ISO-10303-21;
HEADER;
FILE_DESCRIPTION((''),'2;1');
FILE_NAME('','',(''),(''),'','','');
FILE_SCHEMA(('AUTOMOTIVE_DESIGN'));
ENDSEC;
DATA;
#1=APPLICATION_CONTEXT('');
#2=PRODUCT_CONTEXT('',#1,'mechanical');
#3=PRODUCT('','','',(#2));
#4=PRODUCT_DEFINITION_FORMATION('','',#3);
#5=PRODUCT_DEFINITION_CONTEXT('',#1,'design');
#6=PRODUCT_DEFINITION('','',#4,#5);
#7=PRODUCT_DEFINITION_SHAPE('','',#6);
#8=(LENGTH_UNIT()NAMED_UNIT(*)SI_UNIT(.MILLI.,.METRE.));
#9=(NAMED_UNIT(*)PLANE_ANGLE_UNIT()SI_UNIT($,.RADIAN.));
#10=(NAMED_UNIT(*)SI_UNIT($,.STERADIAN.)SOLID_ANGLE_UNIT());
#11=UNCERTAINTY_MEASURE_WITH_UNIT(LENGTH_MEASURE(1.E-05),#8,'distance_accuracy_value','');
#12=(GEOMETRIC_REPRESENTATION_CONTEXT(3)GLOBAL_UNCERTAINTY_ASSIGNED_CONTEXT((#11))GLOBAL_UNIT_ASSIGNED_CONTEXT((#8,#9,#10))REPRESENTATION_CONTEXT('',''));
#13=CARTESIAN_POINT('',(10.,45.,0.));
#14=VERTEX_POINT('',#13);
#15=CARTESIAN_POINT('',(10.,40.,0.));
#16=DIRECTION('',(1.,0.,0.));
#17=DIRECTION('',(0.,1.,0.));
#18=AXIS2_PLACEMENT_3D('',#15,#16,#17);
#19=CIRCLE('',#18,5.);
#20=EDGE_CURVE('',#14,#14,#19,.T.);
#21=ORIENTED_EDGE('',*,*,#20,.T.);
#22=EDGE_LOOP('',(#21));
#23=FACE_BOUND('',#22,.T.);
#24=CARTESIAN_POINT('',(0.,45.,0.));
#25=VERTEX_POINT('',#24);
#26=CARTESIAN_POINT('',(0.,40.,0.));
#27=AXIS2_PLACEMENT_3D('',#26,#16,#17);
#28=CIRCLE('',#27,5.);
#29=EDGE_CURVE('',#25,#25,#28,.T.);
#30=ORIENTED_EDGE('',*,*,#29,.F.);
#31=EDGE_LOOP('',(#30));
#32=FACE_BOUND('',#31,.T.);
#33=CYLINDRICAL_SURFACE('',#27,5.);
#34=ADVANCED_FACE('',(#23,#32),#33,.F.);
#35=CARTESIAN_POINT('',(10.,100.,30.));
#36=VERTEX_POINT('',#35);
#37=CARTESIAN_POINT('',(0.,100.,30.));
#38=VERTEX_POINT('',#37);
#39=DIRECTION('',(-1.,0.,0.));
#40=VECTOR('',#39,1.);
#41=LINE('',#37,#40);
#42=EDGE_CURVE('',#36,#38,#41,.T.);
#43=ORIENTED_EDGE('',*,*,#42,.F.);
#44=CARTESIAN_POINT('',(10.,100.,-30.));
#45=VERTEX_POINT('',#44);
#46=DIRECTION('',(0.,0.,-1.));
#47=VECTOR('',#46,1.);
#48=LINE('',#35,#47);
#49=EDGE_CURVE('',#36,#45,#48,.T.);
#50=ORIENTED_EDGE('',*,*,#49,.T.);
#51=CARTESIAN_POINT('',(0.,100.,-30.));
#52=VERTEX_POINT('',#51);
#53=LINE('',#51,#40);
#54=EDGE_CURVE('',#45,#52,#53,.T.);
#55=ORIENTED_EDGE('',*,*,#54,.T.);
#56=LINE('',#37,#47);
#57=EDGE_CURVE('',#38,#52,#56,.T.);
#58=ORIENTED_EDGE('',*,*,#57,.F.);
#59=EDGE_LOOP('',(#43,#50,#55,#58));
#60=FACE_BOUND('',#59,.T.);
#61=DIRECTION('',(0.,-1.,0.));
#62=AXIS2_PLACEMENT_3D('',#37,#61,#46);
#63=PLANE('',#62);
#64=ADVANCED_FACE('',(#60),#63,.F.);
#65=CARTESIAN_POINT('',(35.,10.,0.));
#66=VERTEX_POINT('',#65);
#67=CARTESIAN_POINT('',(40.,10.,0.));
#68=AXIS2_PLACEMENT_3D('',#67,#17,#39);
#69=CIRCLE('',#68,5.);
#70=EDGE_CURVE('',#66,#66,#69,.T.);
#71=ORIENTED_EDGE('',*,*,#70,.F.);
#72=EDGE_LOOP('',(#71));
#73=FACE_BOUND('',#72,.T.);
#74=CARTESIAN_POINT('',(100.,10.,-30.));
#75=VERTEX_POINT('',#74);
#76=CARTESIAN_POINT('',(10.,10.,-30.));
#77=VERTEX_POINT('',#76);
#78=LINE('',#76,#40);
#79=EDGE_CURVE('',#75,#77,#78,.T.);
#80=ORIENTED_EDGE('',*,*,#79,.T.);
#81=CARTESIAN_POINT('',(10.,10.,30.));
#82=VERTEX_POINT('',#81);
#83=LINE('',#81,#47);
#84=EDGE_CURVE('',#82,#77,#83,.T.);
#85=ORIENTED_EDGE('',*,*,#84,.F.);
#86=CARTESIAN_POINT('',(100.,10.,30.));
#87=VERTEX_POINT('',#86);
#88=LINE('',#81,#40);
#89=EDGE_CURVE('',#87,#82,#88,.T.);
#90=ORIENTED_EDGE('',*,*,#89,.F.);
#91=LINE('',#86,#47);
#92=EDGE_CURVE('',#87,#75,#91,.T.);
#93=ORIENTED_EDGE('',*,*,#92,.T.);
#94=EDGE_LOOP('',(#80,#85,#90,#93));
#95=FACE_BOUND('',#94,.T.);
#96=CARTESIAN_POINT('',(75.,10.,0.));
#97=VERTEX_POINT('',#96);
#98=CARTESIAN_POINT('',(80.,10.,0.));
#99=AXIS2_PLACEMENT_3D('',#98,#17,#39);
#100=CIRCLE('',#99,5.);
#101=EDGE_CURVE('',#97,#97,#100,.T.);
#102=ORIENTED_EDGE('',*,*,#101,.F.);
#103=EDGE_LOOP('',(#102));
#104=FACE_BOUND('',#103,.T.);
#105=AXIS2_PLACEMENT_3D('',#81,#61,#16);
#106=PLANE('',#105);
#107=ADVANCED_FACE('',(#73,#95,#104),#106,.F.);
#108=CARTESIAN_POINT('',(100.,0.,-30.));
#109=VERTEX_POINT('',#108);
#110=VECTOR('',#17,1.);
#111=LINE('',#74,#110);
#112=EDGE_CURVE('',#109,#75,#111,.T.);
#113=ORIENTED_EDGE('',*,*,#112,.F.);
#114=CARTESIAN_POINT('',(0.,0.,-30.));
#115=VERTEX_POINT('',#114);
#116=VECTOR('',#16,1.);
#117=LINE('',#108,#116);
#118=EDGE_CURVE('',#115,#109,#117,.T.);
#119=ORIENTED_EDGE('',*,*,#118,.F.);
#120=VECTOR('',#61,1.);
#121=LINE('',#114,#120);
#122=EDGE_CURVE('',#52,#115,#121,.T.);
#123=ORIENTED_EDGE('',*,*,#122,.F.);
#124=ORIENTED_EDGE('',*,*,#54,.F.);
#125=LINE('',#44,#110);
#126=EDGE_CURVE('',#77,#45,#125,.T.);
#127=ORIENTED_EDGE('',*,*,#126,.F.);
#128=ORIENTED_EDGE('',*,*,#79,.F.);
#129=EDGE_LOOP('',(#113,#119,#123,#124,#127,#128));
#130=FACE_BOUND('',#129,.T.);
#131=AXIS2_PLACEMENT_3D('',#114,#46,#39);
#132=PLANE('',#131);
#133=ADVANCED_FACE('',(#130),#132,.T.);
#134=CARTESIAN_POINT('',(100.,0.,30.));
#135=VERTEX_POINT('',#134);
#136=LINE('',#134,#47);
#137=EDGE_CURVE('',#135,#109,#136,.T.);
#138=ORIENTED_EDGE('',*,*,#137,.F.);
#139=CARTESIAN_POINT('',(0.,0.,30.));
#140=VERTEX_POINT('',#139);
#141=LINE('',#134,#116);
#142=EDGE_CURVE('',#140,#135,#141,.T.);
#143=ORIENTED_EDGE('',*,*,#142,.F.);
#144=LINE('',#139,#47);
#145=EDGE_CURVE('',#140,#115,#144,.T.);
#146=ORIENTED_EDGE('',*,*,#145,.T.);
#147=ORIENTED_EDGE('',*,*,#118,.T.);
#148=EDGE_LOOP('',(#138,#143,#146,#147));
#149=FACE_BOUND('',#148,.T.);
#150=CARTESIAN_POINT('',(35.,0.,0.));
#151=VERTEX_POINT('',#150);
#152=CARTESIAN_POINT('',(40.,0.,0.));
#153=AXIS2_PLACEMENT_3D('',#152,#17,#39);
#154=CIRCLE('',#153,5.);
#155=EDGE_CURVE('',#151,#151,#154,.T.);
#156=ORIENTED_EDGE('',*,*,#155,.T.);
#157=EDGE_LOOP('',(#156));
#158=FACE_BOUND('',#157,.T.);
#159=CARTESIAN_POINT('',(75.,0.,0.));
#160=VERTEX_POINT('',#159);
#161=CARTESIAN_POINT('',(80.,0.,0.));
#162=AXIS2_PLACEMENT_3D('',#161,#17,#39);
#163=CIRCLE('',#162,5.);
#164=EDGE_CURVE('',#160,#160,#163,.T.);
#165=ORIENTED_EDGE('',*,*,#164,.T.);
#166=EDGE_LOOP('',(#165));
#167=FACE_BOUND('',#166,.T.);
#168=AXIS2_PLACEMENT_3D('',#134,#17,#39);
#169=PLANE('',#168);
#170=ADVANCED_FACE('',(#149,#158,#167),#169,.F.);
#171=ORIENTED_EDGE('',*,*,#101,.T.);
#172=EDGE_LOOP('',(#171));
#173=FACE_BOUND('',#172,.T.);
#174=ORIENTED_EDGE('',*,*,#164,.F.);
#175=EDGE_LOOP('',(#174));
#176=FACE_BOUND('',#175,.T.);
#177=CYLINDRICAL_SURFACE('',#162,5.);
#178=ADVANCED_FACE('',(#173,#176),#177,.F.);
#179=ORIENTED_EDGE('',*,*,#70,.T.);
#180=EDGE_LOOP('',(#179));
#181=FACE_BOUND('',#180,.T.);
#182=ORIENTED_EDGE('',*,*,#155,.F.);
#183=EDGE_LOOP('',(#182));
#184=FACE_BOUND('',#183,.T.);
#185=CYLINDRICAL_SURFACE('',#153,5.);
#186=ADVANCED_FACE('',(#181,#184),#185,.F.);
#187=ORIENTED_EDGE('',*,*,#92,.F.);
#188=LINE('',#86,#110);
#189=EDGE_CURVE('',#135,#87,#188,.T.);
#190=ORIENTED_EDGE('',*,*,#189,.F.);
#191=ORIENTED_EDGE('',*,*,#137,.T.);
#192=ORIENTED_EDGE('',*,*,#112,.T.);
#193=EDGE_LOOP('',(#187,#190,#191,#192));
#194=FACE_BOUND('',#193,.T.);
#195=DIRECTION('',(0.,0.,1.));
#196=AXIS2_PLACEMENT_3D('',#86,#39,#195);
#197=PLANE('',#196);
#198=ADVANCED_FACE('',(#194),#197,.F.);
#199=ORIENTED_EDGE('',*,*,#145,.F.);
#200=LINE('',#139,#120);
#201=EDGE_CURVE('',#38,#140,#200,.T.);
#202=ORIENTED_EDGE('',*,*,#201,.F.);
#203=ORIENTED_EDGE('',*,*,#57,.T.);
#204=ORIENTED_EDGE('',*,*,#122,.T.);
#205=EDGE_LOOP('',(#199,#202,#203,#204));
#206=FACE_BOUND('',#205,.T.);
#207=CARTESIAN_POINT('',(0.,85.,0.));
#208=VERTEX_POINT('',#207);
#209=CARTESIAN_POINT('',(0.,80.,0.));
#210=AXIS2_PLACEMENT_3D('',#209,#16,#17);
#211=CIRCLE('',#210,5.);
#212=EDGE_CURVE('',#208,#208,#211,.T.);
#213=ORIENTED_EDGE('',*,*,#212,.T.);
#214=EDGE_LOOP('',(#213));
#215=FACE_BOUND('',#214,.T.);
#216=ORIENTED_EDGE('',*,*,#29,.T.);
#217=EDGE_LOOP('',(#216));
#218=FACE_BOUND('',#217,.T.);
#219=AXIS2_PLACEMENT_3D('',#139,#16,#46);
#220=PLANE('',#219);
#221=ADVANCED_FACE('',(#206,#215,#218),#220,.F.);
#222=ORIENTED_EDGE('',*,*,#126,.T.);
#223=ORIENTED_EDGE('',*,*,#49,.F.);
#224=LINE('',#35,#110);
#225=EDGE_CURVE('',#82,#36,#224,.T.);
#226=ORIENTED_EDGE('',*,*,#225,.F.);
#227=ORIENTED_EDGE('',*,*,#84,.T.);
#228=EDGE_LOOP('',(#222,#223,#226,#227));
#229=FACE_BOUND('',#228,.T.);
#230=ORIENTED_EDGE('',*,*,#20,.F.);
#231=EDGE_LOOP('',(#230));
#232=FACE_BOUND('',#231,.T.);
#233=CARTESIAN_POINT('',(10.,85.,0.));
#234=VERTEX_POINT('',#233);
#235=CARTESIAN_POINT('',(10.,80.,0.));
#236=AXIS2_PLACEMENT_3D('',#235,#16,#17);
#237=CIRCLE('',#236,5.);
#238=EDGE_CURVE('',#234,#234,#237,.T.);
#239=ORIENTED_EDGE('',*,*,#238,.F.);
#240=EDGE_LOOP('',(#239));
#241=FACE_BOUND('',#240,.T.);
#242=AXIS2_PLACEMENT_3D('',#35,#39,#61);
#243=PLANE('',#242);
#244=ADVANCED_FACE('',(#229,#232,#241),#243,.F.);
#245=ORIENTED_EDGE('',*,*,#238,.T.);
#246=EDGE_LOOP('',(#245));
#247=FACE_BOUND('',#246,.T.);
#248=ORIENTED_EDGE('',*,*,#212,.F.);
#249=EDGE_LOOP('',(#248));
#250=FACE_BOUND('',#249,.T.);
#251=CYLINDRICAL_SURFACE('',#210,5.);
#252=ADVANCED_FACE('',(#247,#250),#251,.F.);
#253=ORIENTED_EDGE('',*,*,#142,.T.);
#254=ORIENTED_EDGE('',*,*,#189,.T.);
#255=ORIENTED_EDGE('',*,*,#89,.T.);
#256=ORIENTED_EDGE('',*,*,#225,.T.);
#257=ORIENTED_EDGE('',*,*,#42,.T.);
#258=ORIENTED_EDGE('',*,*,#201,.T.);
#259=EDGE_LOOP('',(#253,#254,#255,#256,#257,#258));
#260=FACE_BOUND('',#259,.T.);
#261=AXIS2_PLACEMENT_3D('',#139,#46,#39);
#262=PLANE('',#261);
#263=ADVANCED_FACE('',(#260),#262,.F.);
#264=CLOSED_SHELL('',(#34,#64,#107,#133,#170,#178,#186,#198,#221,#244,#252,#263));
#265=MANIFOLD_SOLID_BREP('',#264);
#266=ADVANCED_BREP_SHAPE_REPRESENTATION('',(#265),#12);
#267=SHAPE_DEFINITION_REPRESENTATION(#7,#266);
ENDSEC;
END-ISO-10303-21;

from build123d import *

# Parameters (mm, degrees)
BOSS_EXTRUDE1_DEPTH = 30
SKETCH2_R           = 5
CUT_EXTRUDE1_DEPTH  = 11
SKETCH3_R           = 5
CUT_EXTRUDE2_DEPTH  = 11


with BuildPart() as part:
    # Sketch1 → Boss-Extrude1 (new body, symmetric)
    with BuildSketch(Plane.XY):
        Polygon((0, 0), (0, 100), (10, 100), (10, 10), (100, 10), (100, 0), align=None)
    extrude(amount=BOSS_EXTRUDE1_DEPTH, both=True)

    # Sketch2 → Cut-Extrude1 (cut, through all)
    with BuildSketch(Plane(origin=(10, 0, 0), x_dir=(0, 0, -1), z_dir=(1, 0, 0))):
        with Locations((0, 40)):
            Circle(SKETCH2_R)
        with Locations((0, 80)):
            Circle(SKETCH2_R)
    extrude(amount=-CUT_EXTRUDE1_DEPTH, mode=Mode.SUBTRACT)

    # Sketch3 → Cut-Extrude2 (cut, through all)
    with BuildSketch(Plane(origin=(0, 10, 0), x_dir=(0, 0, -1), z_dir=(0, 1, 0))):
        with Locations((0, -80)):
            Circle(SKETCH3_R)
        with Locations((0, -40)):
            Circle(SKETCH3_R)
    extrude(amount=-CUT_EXTRUDE2_DEPTH, mode=Mode.SUBTRACT)


solid = part.part
